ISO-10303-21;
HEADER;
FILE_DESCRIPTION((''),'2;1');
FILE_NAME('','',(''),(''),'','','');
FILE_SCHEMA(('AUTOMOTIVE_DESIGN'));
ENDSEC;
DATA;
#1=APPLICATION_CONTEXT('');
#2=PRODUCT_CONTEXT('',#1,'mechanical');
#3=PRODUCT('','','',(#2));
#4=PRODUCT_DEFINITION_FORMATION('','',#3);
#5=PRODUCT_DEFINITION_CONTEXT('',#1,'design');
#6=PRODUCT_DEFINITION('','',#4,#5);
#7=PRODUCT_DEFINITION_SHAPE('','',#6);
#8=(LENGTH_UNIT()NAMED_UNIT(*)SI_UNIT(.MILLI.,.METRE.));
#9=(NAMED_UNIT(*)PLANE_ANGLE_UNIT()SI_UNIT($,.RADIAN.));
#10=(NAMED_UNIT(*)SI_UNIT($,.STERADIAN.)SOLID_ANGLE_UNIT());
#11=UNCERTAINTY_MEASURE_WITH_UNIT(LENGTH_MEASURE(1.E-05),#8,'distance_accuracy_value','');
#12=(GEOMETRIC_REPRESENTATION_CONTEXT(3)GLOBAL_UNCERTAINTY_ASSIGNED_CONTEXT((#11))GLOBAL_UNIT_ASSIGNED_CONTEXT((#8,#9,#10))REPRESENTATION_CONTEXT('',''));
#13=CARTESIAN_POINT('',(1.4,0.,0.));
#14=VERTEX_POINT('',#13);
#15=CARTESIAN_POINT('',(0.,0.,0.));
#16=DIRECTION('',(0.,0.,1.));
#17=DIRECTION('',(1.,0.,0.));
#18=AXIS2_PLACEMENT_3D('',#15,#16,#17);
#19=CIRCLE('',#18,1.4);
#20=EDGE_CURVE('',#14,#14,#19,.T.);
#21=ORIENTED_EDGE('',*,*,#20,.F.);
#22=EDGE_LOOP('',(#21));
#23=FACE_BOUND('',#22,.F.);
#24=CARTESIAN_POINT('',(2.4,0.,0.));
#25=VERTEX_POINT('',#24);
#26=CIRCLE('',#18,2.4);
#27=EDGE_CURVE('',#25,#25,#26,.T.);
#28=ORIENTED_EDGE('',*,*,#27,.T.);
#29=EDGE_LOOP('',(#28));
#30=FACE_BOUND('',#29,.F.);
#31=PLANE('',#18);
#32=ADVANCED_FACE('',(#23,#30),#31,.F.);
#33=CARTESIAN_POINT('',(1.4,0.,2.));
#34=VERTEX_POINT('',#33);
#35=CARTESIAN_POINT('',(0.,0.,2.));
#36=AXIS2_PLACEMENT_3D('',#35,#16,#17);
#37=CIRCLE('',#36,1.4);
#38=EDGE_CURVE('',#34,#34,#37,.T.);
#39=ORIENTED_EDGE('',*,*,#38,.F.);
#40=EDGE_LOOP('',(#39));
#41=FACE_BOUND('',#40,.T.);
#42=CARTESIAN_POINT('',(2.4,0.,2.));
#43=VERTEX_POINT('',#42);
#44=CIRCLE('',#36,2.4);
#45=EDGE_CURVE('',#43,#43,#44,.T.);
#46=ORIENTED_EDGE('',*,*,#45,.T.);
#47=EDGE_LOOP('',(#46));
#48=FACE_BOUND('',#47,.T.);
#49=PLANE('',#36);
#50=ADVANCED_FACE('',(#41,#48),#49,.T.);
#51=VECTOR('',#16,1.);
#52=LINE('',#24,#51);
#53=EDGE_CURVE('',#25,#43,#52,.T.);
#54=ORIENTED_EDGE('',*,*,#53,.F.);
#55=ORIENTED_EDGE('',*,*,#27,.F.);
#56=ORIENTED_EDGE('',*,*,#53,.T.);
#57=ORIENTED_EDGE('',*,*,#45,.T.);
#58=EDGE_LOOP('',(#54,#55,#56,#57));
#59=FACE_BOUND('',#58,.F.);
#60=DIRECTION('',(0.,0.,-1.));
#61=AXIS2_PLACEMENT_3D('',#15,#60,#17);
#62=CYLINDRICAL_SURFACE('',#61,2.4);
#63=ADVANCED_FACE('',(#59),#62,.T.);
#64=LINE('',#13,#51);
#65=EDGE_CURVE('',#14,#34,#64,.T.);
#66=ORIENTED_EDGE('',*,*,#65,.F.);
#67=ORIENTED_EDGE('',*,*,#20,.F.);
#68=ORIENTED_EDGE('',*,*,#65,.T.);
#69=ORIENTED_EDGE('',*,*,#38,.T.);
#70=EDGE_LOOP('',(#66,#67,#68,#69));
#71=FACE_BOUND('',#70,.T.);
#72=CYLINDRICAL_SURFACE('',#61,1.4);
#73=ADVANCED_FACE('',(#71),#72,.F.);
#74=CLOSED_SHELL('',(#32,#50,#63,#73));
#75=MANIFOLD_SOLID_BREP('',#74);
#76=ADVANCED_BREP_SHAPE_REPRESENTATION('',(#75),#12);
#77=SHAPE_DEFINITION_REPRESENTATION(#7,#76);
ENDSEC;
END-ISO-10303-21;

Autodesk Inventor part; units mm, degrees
ref_plane "YZ Plane" through (0, 0, 0) normal (1, 0, 0) x (0, 1, 0)
ref_plane "XZ Plane" through (0, 0, 0) normal (0, 1, 0) x (-1, 0, 0)
ref_plane "XY Plane" through (0, 0, 0) normal (0, 0, 1) x (1, 0, 0)
sketch "Sketch1" plane through (0, 0, 0) normal (0, 0, 1) x (1, 0, 0)
  circle A0 centre (0, 0) radius 1.4
  circle A1 centre (0, 0) radius 2.4
  dimension "d0" = 2.8
  dimension "d4" = 4.8
extrude "Extrusion1" add sketch "Sketch1" along normal blind 2
equation "\"d0\" = IG_shaftDiameter + W_holesClearance"
equation "\"d4\" = W_innerGearHoleDiameter - W_holesClearance"
equation "\"d2\" = W_wallThickness"
equation "\"Wheel_Related_W_\" = 0"
equation "\"W_innerDiameter\" = 35"
equation "\"W_innerDepth\" = 4.5"
equation "\"W_wallThickness\" = 2"
equation "\"W_holesClearance\" = 0.3"
equation "\"W_outerGearHoleDiameter\" = 2.1"
equation "\"W_innerGearHoleDiameter\" = 5.1"
equation "\"TempSpotReserved7\" = 0"
equation "\"TempSpotReserved8\" = 0"
equation "\"TempSpotReserved9\" = 0"
equation "\"TempSpotReserved10\" = 0"
equation "\"Inner_Gear_Related_IG_\" = 0"
equation "\"IG_shaftDiameter\" = 2.5"
equation "\"IG_gearThickness\" = 1"
equation "\"TempSpotReserved16\" = 0"
equation "\"TempSpotReserved17\" = 0"
equation "\"TempSpotReserved18\" = 0"
equation "\"TempSpotReserved19\" = 0"
equation "\"TempSpotReserved20\" = 0"
equation "\"Outer_Gear_Related_OG_\" = 0"
equation "\"OG_shaftDiameter\" = 1.5"
equation "\"OG_shaftLength\" = 5"
equation "\"OG_gearThickness\" = 1"
equation "\"TempSpotReserved27\" = 0"
equation "\"TempSpotReserved28\" = 0"
equation "\"TempSpotReserved29\" = 0"
equation "\"TempSpotReserved30\" = 0"
equation "\"Leg_Extensions_Related_LE_\" = 0"
equation "\"LE_baseDiameter\" = 2"
equation "\"LE_maxLength\" = 10.64459"
equation "\"LE_thickness\" = 2"
equation "\"TempSpotReserved47\" = 0"
equation "\"B_bearingThickness\" = 1"
equation "\"TempSpotReserved50\" = 0"
equation "\"TempSpotReserved43\" = 0"
equation "\"TempSpotReserved45\" = 0"
equation "\"Thisisatest\" = 25.4"
equation "\"TempSpotReserved48\" = 0"
equation "\"TempSpotReserved46\" = 0"
equation "\"TempSpotReserved44\" = 0"
equation "\"TempSpotReserved49\" = 0"
equation "\"TempSpotReserved35\" = 0"
equation "\"TempSpotReserved39\" = 0"
equation "\"TempSpotReserved38\" = 0"
equation "\"TempSpotReserved37\" = 0"
equation "\"LE_offsetAboveOuterGear\" = 0"
equation "\"TempSpotReserved36\" = 0"
equation "\"TempSpotReserved40\" = 0"
equation "\"Bearing_Related_B_\" = 0"
equation "\"TempSpotReserved42\" = 0"
equation "\"OG_skirtOffset\" = 1"
equation "\"OG_skirtThickness\" = 1"
equation "\"IG_skirtThickness\" = 0.5"
equation "\"IG_skirtOffset\" = 1.5"
equation "\"IG_extentionLength\" = 7"
equation "\"IG_extentionThickness\" = 1"
equation "\"IG_slitWidth\" = 1.5"
equation "\"IG_slitlength\" = 4"
equation "\"IG_slitClearance\" = 0.15"
properties part number "bearing_1"
